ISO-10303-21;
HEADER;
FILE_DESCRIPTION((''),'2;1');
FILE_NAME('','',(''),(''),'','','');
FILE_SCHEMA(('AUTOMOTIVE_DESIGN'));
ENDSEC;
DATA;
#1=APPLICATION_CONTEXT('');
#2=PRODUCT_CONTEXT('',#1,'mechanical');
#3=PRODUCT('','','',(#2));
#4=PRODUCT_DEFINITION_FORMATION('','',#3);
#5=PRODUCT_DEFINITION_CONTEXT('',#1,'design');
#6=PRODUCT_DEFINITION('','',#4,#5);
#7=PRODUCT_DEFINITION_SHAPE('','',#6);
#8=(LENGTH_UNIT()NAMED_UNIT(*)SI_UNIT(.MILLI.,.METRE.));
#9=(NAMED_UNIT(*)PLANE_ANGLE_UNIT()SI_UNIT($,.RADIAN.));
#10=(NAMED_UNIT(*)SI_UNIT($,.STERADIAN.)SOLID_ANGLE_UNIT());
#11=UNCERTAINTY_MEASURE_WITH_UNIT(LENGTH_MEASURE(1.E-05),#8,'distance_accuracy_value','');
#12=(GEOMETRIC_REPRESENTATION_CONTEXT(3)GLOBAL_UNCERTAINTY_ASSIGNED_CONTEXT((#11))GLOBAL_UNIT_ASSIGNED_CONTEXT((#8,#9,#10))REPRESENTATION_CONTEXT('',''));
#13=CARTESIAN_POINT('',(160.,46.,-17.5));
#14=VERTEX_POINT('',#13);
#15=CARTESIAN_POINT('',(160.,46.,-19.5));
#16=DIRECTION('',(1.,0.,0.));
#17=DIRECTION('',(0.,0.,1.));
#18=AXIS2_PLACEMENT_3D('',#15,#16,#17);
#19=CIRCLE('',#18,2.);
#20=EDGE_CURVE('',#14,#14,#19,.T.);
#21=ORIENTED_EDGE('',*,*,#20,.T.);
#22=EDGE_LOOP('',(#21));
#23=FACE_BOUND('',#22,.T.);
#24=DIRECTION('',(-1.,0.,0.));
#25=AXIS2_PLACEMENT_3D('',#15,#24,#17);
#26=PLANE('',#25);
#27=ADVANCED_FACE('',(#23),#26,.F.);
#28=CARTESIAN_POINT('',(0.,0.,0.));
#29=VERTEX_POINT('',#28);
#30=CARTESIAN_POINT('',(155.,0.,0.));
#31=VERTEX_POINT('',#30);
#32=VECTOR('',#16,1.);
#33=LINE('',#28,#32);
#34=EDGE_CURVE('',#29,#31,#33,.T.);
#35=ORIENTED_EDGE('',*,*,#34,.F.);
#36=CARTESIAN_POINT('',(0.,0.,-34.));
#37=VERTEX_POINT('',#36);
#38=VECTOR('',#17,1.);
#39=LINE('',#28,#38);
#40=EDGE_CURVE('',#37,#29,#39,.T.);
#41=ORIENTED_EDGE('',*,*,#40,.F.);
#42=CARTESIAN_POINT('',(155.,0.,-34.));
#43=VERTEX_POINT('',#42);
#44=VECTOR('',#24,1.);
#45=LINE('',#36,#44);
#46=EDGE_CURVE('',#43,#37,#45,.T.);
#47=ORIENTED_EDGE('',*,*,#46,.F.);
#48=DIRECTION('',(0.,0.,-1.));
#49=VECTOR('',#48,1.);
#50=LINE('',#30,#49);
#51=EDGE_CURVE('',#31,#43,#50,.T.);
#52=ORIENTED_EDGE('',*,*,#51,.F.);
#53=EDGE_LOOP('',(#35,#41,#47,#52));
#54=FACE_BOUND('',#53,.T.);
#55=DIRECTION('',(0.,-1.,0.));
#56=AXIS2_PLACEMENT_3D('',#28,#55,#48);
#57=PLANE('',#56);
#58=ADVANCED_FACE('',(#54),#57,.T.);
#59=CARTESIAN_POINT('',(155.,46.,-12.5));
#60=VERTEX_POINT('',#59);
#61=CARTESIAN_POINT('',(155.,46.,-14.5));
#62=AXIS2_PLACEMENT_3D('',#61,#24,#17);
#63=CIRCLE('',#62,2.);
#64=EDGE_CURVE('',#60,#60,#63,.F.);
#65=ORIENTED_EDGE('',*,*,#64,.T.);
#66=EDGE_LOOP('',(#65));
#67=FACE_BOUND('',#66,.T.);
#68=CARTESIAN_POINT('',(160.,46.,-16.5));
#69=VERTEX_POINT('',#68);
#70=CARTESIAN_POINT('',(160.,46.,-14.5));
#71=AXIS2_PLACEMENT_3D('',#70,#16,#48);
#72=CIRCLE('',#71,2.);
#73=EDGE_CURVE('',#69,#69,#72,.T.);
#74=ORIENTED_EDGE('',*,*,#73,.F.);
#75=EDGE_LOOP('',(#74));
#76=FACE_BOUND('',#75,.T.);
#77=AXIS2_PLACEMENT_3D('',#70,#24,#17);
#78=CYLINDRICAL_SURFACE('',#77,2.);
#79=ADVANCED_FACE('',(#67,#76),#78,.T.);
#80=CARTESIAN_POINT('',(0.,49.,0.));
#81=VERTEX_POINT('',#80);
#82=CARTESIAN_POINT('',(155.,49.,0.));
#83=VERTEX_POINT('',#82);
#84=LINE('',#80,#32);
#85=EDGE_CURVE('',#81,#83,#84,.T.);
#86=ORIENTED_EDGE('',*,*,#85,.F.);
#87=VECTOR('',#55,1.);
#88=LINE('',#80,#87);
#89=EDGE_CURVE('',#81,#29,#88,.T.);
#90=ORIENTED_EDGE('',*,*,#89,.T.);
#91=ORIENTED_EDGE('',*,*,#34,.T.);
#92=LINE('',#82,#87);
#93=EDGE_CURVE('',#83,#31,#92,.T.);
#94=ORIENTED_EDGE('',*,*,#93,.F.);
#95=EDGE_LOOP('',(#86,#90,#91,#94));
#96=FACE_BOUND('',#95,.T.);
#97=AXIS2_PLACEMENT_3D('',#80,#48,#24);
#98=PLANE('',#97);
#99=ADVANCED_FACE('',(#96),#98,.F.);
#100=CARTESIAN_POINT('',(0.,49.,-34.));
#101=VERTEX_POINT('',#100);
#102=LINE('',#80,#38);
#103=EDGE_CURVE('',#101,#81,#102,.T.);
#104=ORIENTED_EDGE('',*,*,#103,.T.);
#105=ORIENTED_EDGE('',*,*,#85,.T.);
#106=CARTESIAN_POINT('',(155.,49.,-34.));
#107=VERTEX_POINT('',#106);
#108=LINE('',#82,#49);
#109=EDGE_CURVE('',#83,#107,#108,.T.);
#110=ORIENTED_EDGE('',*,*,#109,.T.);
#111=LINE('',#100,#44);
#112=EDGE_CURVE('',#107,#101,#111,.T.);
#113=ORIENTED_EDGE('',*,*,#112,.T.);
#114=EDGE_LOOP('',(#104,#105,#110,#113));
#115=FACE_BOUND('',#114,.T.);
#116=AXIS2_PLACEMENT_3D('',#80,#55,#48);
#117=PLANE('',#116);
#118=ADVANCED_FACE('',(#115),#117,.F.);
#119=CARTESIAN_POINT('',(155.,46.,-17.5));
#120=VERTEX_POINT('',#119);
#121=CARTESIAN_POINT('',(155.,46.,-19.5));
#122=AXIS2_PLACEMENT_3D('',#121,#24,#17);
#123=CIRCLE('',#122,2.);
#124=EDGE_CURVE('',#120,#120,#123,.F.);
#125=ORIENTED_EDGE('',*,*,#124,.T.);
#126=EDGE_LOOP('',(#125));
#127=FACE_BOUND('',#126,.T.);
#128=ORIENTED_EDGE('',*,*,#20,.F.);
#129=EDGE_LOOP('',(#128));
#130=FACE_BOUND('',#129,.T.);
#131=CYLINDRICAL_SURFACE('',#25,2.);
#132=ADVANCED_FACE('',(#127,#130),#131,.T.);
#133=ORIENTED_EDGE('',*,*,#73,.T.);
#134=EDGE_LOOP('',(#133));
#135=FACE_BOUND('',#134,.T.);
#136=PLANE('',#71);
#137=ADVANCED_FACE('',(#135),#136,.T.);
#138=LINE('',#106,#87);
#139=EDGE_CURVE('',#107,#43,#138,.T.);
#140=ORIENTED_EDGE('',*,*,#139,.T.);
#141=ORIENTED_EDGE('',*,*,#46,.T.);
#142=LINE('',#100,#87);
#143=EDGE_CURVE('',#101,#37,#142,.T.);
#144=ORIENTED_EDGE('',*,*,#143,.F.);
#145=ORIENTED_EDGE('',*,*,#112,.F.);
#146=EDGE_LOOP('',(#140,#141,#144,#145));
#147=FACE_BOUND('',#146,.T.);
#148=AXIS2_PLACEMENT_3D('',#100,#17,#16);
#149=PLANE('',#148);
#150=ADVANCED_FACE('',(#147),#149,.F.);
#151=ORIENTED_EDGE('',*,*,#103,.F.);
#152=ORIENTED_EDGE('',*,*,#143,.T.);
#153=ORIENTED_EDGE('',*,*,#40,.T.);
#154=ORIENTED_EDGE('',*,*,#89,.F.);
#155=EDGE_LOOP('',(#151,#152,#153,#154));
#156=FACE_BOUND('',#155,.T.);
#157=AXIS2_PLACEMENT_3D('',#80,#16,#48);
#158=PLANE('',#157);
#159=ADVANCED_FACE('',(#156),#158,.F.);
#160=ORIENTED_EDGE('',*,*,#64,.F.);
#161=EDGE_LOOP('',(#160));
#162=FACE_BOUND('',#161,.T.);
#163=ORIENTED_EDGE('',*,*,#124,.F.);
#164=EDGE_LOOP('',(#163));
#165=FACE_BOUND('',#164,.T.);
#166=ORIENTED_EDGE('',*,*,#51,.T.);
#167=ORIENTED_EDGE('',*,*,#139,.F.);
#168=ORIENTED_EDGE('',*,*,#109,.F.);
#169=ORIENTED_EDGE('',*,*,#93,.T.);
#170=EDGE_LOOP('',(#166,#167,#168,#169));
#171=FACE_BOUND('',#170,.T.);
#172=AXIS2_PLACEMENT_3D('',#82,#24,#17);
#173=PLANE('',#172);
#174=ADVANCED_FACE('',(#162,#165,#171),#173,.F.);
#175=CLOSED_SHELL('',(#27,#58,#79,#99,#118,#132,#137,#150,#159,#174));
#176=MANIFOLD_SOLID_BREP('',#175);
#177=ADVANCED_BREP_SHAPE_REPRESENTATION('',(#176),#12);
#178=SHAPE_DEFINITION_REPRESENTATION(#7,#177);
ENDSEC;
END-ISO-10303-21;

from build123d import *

# Parameters (mm, degrees)
ESQUISSE1_W        = 155
ESQUISSE1_H        = 34
BOSS_EXTRU_1_DEPTH = 49
ESQUISSE2_R        = 2
BOSS_EXTRU_2_DEPTH = 5


with BuildPart() as part:
    # Esquisse1 → Boss.-Extru.1 (new body)
    with BuildSketch(Plane(origin=(0, 0, 0), x_dir=(1, 0, 0), z_dir=(0, 1, 0))):
        with Locations((77.5, 17)):
            Rectangle(ESQUISSE1_W, ESQUISSE1_H)
    extrude(amount=BOSS_EXTRU_1_DEPTH)

    # Esquisse2 → Boss.-Extru.2 (add)
    with BuildSketch(Plane(origin=(155, 0, 0), x_dir=(0, 0, -1), z_dir=(1, 0, 0))):
        with Locations(Location((14.5, 46, 0), (0, 0, 180))):
            Circle(ESQUISSE2_R)
        with Locations(Location((19.5, 46, 0), (0, 0, 180))):
            Circle(ESQUISSE2_R)
    extrude(amount=BOSS_EXTRU_2_DEPTH)


solid = part.part
